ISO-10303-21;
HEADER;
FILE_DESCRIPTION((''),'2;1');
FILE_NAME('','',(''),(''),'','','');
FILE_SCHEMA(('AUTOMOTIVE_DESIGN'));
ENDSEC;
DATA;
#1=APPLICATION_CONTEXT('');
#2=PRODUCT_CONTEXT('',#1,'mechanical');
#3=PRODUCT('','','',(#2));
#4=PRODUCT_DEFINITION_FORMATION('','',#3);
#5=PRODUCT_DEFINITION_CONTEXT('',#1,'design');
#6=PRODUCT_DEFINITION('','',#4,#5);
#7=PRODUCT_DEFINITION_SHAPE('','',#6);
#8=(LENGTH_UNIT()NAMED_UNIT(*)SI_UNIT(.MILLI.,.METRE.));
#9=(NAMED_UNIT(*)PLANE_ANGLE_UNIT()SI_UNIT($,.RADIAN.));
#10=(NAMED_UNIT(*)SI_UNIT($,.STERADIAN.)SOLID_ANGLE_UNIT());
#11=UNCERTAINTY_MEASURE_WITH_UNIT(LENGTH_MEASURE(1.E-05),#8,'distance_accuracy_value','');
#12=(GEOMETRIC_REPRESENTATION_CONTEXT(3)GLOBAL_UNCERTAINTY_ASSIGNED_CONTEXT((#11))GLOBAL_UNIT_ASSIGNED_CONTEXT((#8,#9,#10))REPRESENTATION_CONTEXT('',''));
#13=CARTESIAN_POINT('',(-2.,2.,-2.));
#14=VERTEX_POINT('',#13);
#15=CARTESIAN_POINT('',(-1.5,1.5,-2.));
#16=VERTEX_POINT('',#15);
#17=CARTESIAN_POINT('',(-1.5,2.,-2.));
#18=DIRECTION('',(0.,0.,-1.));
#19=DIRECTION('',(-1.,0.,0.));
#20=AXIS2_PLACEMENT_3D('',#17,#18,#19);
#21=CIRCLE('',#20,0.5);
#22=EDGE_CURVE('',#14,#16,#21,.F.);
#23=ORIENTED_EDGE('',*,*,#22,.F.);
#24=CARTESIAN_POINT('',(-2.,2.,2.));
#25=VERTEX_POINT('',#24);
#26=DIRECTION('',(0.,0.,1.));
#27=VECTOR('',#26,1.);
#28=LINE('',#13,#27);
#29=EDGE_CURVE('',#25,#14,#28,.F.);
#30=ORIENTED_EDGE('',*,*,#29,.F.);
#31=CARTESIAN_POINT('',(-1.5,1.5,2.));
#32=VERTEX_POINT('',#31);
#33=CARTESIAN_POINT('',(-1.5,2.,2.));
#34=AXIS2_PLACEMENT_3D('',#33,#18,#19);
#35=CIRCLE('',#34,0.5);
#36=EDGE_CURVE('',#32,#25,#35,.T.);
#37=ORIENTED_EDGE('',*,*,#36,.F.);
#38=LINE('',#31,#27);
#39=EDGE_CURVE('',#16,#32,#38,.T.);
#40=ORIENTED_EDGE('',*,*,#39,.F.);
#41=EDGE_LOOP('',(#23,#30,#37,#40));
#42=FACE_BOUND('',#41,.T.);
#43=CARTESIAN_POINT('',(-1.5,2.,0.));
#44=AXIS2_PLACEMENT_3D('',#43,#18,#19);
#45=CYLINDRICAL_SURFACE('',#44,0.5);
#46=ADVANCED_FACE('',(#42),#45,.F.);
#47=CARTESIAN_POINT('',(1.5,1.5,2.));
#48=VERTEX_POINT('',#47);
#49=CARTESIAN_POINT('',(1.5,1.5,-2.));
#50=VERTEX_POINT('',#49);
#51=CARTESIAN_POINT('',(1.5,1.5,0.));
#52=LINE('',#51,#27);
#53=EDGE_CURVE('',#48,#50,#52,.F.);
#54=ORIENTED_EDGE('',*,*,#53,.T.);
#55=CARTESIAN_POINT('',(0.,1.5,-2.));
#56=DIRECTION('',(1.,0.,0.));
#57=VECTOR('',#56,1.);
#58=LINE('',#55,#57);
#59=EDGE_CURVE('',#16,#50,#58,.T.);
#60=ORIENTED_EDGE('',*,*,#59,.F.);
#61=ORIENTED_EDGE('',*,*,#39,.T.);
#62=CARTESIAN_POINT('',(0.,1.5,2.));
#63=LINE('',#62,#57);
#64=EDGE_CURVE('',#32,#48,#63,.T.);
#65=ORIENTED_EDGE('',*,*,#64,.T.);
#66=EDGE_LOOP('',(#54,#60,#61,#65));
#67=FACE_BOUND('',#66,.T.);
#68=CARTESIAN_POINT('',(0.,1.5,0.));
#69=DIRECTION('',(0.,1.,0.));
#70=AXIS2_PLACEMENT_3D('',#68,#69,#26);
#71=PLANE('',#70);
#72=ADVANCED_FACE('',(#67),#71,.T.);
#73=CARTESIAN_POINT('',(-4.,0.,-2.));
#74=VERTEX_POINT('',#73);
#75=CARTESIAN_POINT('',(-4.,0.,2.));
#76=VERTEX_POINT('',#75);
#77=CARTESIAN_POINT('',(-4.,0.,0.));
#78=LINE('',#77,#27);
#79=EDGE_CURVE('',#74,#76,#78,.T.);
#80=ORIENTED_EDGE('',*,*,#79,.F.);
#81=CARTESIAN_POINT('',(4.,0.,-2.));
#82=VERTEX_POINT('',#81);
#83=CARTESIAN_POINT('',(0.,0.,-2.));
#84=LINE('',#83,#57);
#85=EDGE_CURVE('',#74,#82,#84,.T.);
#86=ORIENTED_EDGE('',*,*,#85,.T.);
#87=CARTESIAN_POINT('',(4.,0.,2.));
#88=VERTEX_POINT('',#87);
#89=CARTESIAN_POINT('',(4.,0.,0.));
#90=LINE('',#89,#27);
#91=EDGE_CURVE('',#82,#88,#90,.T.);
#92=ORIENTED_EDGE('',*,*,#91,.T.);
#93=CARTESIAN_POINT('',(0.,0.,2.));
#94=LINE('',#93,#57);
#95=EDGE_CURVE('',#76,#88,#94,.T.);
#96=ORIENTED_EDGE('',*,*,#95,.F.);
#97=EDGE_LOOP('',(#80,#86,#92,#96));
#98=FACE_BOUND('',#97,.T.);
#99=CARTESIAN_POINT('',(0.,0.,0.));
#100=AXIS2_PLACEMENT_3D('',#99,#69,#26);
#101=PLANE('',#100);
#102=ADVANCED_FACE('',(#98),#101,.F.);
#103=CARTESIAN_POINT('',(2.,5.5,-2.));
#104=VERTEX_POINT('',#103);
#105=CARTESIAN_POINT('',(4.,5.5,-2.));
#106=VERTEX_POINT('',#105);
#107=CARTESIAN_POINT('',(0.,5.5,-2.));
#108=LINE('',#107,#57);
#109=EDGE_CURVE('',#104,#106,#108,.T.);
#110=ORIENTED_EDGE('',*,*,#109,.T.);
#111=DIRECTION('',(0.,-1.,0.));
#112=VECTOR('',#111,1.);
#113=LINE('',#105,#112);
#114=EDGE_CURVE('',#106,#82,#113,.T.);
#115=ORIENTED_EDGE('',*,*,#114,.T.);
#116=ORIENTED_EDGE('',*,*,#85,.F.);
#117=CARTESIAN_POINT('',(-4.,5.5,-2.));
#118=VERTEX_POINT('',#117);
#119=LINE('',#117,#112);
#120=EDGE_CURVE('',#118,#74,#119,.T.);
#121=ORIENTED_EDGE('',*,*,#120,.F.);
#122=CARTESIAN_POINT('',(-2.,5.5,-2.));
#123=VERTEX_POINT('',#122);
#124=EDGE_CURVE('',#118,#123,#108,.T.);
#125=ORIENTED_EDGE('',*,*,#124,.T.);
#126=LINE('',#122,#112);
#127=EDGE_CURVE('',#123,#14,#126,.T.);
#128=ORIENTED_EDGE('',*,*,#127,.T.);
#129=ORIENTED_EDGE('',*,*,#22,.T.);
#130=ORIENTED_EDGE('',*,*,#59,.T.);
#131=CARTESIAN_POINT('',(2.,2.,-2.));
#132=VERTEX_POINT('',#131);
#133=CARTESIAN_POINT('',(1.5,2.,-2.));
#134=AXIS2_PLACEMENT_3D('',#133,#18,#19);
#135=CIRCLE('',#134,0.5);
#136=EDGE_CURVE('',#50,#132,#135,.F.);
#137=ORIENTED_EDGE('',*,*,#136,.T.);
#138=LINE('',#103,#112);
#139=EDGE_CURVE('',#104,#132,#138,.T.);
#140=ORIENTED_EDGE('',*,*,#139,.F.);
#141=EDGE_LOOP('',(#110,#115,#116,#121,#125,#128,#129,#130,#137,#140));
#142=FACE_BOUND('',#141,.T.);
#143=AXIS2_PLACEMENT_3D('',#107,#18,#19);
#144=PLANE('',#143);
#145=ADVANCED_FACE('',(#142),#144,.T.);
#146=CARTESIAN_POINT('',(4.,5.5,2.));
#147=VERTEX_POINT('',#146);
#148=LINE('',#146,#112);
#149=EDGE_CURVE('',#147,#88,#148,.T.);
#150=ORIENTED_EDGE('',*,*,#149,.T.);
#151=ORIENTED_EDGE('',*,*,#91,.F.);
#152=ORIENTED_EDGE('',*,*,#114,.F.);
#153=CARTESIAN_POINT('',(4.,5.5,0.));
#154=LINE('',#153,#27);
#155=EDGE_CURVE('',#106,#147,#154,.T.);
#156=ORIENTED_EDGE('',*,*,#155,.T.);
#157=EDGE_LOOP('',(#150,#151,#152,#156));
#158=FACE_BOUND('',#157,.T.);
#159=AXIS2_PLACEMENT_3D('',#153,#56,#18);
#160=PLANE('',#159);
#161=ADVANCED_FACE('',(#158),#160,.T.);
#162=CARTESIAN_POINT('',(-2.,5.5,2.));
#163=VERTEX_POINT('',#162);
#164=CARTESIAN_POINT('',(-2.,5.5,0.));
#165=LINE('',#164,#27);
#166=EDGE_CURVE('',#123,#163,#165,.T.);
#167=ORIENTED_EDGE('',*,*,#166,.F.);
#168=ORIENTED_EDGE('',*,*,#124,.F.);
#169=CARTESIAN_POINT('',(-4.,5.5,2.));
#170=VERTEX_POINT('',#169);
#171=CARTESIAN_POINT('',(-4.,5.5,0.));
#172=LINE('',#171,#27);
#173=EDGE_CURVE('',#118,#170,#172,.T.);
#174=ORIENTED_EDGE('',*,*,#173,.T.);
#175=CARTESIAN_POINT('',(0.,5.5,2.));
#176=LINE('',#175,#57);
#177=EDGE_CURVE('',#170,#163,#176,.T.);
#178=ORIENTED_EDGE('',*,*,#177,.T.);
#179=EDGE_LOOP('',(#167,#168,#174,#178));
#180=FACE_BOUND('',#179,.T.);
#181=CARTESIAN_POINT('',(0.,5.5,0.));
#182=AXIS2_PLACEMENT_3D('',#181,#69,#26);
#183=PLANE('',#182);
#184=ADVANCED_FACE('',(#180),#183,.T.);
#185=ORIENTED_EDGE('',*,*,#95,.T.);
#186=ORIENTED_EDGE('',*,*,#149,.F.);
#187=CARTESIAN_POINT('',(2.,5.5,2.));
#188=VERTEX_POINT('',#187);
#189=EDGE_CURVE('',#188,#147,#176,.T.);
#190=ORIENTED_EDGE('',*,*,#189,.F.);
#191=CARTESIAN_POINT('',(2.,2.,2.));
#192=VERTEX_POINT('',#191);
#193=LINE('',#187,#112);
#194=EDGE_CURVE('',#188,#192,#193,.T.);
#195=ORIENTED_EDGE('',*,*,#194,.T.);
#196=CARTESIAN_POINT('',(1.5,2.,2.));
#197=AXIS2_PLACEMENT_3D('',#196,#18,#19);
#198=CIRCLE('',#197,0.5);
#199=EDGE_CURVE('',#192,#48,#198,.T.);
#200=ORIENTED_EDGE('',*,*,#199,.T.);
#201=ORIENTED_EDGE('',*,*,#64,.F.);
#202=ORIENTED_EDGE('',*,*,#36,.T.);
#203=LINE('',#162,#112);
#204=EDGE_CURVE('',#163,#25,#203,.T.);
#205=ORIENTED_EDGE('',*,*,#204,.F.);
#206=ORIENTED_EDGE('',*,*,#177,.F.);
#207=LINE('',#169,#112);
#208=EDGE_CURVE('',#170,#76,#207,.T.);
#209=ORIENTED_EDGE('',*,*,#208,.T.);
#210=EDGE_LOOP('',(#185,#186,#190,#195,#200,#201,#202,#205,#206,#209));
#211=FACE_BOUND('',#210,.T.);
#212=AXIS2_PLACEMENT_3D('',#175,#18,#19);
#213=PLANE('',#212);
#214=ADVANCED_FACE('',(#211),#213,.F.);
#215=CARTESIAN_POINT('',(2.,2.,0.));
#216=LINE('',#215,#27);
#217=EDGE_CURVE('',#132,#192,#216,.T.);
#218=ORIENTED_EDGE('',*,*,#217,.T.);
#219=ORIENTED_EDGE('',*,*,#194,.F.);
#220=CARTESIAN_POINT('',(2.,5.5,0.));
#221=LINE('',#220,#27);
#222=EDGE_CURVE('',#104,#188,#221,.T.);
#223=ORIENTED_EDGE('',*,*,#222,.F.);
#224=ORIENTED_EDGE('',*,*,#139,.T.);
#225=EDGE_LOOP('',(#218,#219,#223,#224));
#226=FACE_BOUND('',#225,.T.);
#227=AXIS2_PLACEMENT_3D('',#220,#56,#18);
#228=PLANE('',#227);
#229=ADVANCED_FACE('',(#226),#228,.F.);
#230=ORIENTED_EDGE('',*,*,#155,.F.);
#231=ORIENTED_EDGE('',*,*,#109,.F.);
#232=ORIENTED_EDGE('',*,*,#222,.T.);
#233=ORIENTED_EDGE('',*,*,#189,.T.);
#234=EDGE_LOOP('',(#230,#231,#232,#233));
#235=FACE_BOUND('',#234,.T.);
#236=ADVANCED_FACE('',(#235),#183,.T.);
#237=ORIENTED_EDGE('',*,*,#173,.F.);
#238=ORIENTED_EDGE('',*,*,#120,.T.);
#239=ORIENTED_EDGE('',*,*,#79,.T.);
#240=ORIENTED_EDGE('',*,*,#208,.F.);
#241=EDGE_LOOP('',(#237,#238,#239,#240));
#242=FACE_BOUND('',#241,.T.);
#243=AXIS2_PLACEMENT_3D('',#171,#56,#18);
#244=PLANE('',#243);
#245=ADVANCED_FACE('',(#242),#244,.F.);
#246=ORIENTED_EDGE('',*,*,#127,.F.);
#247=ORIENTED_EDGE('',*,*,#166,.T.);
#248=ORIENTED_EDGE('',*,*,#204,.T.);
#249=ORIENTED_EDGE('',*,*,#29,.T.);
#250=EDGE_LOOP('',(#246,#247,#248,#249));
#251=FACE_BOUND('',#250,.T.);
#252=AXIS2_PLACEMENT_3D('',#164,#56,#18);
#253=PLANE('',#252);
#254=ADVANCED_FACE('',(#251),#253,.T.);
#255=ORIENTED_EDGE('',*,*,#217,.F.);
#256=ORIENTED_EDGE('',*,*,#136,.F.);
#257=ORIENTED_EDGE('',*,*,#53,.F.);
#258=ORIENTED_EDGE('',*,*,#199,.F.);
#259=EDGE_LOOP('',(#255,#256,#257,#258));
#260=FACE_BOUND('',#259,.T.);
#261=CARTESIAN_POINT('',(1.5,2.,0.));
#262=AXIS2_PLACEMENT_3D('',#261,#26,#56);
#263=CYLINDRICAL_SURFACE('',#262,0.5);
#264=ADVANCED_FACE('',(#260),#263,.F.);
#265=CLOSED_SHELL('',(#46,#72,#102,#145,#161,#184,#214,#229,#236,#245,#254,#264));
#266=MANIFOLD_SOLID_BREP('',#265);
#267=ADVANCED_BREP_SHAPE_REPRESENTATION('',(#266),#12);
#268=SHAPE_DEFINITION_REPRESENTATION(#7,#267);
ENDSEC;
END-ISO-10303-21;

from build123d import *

# Parameters (mm, degrees)
SKETCH_1_W        = 2
SKETCH_1_H        = 4
EXTRUDE_1_DEPTH   = 5.5
EXTRUDE_1_2_DEPTH = 5.5
SKETCH_1_3_W      = 4
SKETCH_1_3_H      = 4
EXTRUDE_2_DEPTH   = 1.5
FILLET_1_R        = 0.5


with BuildPart() as part:
    # 草图1 → 凸台-拉伸1 (new body)
    with BuildSketch(Plane(origin=(0, 0, 0), x_dir=(1, 0, 0), z_dir=(0, 1, 0))):
        with Locations((-3, 0)):
            Rectangle(SKETCH_1_W, SKETCH_1_H)
    extrude(amount=EXTRUDE_1_DEPTH)



with BuildPart() as body_2:
    # 草图1 → Extrude 1 2 (new body)
    with BuildSketch(Plane(origin=(0, 0, 0), x_dir=(1, 0, 0), z_dir=(0, 1, 0))):
        with Locations((3, 0)):
            Rectangle(SKETCH_1_W, SKETCH_1_H)
    extrude(amount=EXTRUDE_1_2_DEPTH)


with BuildPart() as part_1:
    add(part.part)

    add(body_2.part)  # 凸台-拉伸2 merges body 2
    # 草图1<3> → 凸台-拉伸2 (add)
    with BuildSketch(Plane(origin=(0, 0, 0), x_dir=(1, 0, 0), z_dir=(0, 1, 0))):
        Rectangle(SKETCH_1_3_W, SKETCH_1_3_H)
    extrude(amount=EXTRUDE_2_DEPTH)

    # 圆角1
    fillet_1_edges = [part_1.edges().sort_by_distance(p)[0] for p in [
        (2, 1.5, 0),
        (-2, 1.5, 0),
    ]]
    fillet(fillet_1_edges, radius=FILLET_1_R)


solid = part_1.part
